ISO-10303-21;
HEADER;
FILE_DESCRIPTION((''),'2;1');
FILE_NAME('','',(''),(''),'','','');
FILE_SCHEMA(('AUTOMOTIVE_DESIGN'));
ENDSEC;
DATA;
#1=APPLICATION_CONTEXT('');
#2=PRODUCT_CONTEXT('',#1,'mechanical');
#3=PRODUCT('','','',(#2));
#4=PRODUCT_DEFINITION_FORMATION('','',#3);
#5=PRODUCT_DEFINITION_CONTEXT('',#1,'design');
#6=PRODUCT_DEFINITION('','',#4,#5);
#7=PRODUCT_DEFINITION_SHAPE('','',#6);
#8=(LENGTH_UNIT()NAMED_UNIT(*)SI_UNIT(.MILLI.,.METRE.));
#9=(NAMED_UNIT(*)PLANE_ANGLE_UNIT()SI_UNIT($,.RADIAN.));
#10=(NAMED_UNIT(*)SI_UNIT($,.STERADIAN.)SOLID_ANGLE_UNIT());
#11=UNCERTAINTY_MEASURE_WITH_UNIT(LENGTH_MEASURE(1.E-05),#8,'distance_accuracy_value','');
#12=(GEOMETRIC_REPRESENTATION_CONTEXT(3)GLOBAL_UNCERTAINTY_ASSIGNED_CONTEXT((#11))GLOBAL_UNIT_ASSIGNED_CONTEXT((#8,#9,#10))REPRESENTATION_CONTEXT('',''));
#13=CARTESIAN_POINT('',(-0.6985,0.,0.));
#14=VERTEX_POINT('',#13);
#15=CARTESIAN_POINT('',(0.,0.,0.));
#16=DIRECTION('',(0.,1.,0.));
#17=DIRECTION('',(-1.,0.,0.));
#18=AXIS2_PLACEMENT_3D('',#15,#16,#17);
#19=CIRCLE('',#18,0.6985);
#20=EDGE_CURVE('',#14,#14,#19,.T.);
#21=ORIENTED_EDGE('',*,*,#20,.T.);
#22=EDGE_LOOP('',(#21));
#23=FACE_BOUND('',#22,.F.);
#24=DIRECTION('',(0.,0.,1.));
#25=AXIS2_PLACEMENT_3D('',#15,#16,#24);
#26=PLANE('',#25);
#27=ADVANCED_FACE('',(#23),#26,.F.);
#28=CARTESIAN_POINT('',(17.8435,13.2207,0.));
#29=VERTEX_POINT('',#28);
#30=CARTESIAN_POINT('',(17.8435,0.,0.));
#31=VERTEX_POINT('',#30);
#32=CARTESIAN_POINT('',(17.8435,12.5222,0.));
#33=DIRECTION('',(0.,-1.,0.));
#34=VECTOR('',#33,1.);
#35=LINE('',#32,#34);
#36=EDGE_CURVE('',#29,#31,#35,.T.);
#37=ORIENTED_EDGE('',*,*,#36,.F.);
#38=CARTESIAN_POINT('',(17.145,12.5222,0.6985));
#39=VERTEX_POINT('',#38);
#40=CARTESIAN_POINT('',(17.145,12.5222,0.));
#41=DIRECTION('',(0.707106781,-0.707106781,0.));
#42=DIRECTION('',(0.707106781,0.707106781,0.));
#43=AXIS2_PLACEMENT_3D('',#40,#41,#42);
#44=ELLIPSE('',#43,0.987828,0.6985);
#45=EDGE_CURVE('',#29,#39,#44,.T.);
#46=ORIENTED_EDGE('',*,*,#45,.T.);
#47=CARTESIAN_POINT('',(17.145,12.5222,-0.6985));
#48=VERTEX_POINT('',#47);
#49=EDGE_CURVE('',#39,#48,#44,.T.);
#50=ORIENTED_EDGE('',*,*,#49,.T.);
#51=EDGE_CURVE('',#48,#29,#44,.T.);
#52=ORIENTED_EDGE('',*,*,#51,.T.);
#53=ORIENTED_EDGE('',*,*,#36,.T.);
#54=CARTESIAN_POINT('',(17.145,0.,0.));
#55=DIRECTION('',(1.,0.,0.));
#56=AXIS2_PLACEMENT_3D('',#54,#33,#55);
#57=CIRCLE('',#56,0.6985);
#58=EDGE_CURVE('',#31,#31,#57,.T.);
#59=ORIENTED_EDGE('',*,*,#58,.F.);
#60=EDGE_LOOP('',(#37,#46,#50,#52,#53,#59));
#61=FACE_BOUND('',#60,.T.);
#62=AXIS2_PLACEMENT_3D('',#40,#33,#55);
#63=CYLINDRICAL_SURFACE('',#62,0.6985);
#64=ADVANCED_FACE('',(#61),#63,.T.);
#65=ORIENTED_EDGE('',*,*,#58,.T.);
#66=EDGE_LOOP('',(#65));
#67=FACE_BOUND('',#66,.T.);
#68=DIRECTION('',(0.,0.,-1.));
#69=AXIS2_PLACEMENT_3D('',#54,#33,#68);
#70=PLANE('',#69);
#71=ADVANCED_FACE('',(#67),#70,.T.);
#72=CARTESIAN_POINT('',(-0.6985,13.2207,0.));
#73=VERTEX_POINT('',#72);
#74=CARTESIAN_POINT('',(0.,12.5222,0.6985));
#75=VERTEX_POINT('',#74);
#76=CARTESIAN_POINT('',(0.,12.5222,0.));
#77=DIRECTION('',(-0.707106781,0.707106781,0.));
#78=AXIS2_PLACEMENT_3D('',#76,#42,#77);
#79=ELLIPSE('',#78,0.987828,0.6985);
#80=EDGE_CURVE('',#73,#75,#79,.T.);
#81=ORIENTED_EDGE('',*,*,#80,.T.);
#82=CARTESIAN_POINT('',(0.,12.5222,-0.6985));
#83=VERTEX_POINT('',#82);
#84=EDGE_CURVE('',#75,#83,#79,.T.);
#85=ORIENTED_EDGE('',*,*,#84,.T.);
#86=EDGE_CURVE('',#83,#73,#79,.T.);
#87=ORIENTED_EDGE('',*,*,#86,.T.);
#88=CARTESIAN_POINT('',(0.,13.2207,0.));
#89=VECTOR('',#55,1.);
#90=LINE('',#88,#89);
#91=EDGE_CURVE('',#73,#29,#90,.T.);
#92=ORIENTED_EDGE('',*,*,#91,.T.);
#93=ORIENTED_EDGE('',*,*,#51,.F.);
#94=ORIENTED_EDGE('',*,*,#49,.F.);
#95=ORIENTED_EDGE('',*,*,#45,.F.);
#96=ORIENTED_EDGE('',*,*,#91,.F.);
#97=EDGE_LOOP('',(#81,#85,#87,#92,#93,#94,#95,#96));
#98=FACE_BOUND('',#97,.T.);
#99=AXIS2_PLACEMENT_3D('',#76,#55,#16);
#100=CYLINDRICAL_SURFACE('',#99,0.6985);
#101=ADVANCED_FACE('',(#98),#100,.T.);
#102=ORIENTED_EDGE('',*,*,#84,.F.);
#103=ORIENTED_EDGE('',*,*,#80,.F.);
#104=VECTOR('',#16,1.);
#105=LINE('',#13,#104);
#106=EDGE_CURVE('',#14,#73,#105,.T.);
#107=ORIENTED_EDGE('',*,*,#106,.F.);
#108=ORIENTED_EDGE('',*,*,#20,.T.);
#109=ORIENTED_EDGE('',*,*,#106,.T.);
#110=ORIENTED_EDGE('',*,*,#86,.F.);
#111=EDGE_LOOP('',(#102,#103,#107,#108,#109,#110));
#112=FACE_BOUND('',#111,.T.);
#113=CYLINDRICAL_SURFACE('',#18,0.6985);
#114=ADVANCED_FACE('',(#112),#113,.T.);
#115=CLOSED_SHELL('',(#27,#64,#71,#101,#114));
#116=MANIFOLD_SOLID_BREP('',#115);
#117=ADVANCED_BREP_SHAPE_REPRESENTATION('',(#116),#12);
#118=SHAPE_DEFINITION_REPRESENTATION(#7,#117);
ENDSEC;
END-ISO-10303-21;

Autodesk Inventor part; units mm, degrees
ref_plane "YZ Plane" through (0, 0, 0) normal (1, 0, 0) x (0, 1, 0)
ref_plane "XZ Plane" through (0, 0, 0) normal (0, 1, 0) x (-1, 0, 0)
ref_plane "XY Plane" through (0, 0, 0) normal (0, 0, 1) x (1, 0, 0)
sketch "Sketch1" plane through (0, 0, 0) normal (0, 0, 1) x (1, 0, 0)
  line L0 (0, 0) -> (0, 12.5222)
  line L1 (0, 12.5222) -> (17.145, 12.5222)
  line L2 (17.145, 12.5222) -> (17.145, 0)
  dimension "d1" = 12.5222
  dimension "d2" = 17.145
  dimension "d3" = 12.5222
sketch "Sketch2" plane through (0, 0, 0) normal (0, 1, 0) x (-1, 0, 0)
  circle A0 centre (0, 0) radius 0.6985
  dimension "d4" = 1.397
sweep "Sweep1" add profiles "Sketch2" path "Sketch1"
properties part number "IED7_Sun_MouseTrap"
